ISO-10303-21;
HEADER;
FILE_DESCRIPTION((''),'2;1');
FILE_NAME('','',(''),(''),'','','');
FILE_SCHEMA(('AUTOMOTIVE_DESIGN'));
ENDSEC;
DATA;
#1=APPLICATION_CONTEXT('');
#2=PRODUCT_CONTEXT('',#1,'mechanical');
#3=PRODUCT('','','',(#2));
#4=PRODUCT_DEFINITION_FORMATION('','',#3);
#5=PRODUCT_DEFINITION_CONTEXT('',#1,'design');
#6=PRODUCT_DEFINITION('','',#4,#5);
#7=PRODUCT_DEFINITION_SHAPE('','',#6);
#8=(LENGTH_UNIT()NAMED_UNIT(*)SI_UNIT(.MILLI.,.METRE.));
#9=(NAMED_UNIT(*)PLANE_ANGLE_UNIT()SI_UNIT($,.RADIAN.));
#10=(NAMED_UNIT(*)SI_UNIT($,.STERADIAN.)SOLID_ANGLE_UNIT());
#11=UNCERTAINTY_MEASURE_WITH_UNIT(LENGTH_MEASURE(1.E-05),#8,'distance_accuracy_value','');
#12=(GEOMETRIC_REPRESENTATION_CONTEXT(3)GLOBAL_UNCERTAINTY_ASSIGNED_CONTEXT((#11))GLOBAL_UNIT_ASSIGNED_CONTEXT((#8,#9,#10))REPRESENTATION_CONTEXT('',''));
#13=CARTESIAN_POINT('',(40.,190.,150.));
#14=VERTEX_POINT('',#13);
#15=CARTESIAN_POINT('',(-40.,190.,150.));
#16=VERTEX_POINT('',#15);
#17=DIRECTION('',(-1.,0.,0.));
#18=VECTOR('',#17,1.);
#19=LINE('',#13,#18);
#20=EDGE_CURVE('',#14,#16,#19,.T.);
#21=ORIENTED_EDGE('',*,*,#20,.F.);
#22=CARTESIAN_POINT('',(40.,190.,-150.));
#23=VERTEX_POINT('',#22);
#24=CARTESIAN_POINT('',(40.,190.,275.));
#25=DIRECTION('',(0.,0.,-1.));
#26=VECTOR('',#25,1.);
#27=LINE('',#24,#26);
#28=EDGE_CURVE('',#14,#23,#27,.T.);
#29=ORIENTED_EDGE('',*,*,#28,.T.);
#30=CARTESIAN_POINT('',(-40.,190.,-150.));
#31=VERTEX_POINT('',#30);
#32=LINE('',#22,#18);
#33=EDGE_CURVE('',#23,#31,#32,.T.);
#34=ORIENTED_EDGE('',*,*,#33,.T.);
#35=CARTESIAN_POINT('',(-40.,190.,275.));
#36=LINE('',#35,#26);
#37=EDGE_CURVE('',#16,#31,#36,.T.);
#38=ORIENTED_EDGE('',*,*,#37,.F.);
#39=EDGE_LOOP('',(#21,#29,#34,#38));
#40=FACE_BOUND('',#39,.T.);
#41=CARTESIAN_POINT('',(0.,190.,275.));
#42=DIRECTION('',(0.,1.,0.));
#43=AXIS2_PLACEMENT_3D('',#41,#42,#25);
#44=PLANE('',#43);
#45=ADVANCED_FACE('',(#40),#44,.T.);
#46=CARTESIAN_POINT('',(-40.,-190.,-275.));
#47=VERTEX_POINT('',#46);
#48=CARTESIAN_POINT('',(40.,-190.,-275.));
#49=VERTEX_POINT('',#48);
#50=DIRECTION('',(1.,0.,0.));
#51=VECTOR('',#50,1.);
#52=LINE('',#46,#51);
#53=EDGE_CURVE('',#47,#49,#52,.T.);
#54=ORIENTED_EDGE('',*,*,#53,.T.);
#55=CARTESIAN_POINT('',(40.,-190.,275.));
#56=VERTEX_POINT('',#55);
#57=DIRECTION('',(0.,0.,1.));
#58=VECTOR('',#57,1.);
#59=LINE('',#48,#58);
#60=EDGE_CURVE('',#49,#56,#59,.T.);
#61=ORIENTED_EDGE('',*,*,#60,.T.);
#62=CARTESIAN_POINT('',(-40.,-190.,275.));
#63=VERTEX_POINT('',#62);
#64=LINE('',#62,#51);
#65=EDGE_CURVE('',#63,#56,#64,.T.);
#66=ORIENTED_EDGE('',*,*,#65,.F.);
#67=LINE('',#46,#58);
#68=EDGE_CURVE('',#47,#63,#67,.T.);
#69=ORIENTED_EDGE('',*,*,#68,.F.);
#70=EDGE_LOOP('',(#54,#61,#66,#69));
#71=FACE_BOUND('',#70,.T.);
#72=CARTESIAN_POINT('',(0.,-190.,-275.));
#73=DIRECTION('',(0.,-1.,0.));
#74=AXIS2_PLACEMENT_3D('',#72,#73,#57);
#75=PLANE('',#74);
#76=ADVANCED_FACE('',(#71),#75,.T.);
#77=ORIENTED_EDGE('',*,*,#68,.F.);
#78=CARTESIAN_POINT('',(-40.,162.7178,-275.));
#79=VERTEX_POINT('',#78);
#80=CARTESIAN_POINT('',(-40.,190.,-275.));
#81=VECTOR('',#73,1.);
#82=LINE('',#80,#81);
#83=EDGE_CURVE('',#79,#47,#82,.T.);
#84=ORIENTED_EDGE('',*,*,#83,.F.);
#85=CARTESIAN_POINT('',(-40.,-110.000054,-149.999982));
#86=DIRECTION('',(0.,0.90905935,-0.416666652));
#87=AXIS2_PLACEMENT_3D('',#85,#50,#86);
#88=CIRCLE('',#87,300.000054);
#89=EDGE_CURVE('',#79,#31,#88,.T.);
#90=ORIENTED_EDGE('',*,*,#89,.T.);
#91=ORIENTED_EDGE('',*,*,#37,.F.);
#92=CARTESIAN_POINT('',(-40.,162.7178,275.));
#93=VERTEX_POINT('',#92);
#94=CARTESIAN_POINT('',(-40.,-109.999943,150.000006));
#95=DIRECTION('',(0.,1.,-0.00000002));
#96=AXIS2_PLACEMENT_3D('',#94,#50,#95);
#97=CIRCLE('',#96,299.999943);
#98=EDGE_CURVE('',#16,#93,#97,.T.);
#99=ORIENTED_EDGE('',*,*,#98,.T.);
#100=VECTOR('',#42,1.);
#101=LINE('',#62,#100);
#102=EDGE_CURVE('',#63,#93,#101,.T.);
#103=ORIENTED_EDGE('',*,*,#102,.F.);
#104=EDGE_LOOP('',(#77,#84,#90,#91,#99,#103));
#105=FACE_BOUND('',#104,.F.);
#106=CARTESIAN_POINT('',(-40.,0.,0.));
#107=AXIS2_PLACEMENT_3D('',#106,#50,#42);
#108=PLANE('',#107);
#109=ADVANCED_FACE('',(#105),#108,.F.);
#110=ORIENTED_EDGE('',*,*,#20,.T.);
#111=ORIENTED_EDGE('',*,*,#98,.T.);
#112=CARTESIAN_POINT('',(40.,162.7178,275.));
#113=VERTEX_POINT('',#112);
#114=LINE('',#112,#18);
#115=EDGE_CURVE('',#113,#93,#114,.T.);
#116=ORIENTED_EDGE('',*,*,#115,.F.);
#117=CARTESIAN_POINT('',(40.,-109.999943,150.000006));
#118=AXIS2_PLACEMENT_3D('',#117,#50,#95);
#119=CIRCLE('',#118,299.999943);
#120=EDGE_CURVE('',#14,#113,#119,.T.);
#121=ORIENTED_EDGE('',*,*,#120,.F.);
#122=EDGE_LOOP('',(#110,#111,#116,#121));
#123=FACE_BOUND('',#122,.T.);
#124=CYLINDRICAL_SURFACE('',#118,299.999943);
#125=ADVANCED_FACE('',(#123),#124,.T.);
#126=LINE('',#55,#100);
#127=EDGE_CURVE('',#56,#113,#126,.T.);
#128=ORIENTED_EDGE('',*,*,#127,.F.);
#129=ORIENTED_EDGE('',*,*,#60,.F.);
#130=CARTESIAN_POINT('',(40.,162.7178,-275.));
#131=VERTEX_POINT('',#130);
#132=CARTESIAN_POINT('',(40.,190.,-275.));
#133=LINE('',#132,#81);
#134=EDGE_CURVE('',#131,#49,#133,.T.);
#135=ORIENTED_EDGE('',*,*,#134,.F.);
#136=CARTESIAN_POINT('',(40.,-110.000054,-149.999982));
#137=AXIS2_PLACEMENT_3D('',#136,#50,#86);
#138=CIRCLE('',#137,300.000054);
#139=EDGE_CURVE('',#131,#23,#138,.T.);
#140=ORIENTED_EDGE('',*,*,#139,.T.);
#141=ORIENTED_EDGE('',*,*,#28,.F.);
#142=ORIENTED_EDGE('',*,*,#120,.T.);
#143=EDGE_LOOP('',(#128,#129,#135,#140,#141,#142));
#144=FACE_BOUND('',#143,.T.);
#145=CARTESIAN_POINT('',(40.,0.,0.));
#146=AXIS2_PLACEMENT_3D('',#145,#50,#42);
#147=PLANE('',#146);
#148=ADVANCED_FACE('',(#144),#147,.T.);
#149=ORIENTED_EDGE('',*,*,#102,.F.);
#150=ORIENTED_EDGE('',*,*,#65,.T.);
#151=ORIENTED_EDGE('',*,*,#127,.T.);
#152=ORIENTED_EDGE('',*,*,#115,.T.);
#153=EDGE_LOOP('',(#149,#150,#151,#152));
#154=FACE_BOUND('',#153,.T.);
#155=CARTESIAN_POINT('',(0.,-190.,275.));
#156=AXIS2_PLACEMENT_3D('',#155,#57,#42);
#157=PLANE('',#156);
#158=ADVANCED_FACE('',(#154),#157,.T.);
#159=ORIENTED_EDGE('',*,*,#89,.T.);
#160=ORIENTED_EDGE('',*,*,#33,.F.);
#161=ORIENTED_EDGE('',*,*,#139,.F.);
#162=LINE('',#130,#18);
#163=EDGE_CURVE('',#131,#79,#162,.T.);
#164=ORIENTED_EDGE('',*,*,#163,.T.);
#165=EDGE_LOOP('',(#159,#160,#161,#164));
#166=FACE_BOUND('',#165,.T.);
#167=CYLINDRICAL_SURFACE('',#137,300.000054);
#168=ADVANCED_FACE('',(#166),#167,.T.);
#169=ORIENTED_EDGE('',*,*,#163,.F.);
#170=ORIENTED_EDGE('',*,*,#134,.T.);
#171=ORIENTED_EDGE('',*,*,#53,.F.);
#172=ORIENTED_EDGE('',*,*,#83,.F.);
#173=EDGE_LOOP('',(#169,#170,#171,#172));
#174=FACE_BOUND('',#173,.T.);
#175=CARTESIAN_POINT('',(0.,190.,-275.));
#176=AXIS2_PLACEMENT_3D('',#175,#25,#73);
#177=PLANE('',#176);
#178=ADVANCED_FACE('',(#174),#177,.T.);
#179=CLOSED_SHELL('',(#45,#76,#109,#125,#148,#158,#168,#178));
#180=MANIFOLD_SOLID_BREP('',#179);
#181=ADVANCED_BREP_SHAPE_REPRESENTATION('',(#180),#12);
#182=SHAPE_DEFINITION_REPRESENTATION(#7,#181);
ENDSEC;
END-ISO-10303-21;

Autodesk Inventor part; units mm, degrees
ref_plane "YZ Plane" through (0, 0, 0) normal (1, 0, 0) x (0, 1, 0)
ref_plane "XZ Plane" through (0, 0, 0) normal (0, 1, 0) x (-1, 0, 0)
ref_plane "XY Plane" through (0, 0, 0) normal (0, 0, 1) x (1, 0, 0)
sketch "Sketch1" plane through (0, 0, 0) normal (1, 0, 0) x (0, 1, 0)
  line L0 (-190, 275) -> (190, 275)
  line L1 (190, 275) -> (190, -275)
  line L2 (190, -275) -> (-190, -275)
  line L3 (-190, -275) -> (-190, 275)
  line L4 (-190, 275) -> (190, -275) construction
  line L5 (190, 275) -> (-190, -275) construction
  point P0 (0, 0)
  dimension "d0" = 550
  dimension "d1" = 380
extrude "Extrusion1" add sketch "Sketch1" along normal mid plane 80
sketch "Sketch2" plane through (40, 0, 0) normal (1, 0, 0) x (0, 0, -1)
  line L0 (275, -190) -> (275, 190) projected
  line L1 (275, 190) -> (-275, 190) projected
  line L2 (-275, 190) -> (-275, -190) projected
  line L3 (-275, -190) -> (275, -190) projected
  line L4 (-150, 190) -> (150, 190)
  line L5 (0, 0) -> (0, 117.6253)
  arc A0 (-150, 190) -> (-275, 162.7178) centre (-150, -110) ccw
  arc A1 (275, 162.7178) -> (150, 190) centre (150, -110) ccw
  point P0 (0, 190)
  point P1 (275, 162.7178)
  dimension "d4" = 300
  dimension "d5" = 300
extrude "Extrusion2" cut sketch "Sketch2" against normal through all contours A1 L1 L0 | L2 L1 A0
properties part number "CARCASA_PANTALLA" material "Steel, Mild, Welded"
